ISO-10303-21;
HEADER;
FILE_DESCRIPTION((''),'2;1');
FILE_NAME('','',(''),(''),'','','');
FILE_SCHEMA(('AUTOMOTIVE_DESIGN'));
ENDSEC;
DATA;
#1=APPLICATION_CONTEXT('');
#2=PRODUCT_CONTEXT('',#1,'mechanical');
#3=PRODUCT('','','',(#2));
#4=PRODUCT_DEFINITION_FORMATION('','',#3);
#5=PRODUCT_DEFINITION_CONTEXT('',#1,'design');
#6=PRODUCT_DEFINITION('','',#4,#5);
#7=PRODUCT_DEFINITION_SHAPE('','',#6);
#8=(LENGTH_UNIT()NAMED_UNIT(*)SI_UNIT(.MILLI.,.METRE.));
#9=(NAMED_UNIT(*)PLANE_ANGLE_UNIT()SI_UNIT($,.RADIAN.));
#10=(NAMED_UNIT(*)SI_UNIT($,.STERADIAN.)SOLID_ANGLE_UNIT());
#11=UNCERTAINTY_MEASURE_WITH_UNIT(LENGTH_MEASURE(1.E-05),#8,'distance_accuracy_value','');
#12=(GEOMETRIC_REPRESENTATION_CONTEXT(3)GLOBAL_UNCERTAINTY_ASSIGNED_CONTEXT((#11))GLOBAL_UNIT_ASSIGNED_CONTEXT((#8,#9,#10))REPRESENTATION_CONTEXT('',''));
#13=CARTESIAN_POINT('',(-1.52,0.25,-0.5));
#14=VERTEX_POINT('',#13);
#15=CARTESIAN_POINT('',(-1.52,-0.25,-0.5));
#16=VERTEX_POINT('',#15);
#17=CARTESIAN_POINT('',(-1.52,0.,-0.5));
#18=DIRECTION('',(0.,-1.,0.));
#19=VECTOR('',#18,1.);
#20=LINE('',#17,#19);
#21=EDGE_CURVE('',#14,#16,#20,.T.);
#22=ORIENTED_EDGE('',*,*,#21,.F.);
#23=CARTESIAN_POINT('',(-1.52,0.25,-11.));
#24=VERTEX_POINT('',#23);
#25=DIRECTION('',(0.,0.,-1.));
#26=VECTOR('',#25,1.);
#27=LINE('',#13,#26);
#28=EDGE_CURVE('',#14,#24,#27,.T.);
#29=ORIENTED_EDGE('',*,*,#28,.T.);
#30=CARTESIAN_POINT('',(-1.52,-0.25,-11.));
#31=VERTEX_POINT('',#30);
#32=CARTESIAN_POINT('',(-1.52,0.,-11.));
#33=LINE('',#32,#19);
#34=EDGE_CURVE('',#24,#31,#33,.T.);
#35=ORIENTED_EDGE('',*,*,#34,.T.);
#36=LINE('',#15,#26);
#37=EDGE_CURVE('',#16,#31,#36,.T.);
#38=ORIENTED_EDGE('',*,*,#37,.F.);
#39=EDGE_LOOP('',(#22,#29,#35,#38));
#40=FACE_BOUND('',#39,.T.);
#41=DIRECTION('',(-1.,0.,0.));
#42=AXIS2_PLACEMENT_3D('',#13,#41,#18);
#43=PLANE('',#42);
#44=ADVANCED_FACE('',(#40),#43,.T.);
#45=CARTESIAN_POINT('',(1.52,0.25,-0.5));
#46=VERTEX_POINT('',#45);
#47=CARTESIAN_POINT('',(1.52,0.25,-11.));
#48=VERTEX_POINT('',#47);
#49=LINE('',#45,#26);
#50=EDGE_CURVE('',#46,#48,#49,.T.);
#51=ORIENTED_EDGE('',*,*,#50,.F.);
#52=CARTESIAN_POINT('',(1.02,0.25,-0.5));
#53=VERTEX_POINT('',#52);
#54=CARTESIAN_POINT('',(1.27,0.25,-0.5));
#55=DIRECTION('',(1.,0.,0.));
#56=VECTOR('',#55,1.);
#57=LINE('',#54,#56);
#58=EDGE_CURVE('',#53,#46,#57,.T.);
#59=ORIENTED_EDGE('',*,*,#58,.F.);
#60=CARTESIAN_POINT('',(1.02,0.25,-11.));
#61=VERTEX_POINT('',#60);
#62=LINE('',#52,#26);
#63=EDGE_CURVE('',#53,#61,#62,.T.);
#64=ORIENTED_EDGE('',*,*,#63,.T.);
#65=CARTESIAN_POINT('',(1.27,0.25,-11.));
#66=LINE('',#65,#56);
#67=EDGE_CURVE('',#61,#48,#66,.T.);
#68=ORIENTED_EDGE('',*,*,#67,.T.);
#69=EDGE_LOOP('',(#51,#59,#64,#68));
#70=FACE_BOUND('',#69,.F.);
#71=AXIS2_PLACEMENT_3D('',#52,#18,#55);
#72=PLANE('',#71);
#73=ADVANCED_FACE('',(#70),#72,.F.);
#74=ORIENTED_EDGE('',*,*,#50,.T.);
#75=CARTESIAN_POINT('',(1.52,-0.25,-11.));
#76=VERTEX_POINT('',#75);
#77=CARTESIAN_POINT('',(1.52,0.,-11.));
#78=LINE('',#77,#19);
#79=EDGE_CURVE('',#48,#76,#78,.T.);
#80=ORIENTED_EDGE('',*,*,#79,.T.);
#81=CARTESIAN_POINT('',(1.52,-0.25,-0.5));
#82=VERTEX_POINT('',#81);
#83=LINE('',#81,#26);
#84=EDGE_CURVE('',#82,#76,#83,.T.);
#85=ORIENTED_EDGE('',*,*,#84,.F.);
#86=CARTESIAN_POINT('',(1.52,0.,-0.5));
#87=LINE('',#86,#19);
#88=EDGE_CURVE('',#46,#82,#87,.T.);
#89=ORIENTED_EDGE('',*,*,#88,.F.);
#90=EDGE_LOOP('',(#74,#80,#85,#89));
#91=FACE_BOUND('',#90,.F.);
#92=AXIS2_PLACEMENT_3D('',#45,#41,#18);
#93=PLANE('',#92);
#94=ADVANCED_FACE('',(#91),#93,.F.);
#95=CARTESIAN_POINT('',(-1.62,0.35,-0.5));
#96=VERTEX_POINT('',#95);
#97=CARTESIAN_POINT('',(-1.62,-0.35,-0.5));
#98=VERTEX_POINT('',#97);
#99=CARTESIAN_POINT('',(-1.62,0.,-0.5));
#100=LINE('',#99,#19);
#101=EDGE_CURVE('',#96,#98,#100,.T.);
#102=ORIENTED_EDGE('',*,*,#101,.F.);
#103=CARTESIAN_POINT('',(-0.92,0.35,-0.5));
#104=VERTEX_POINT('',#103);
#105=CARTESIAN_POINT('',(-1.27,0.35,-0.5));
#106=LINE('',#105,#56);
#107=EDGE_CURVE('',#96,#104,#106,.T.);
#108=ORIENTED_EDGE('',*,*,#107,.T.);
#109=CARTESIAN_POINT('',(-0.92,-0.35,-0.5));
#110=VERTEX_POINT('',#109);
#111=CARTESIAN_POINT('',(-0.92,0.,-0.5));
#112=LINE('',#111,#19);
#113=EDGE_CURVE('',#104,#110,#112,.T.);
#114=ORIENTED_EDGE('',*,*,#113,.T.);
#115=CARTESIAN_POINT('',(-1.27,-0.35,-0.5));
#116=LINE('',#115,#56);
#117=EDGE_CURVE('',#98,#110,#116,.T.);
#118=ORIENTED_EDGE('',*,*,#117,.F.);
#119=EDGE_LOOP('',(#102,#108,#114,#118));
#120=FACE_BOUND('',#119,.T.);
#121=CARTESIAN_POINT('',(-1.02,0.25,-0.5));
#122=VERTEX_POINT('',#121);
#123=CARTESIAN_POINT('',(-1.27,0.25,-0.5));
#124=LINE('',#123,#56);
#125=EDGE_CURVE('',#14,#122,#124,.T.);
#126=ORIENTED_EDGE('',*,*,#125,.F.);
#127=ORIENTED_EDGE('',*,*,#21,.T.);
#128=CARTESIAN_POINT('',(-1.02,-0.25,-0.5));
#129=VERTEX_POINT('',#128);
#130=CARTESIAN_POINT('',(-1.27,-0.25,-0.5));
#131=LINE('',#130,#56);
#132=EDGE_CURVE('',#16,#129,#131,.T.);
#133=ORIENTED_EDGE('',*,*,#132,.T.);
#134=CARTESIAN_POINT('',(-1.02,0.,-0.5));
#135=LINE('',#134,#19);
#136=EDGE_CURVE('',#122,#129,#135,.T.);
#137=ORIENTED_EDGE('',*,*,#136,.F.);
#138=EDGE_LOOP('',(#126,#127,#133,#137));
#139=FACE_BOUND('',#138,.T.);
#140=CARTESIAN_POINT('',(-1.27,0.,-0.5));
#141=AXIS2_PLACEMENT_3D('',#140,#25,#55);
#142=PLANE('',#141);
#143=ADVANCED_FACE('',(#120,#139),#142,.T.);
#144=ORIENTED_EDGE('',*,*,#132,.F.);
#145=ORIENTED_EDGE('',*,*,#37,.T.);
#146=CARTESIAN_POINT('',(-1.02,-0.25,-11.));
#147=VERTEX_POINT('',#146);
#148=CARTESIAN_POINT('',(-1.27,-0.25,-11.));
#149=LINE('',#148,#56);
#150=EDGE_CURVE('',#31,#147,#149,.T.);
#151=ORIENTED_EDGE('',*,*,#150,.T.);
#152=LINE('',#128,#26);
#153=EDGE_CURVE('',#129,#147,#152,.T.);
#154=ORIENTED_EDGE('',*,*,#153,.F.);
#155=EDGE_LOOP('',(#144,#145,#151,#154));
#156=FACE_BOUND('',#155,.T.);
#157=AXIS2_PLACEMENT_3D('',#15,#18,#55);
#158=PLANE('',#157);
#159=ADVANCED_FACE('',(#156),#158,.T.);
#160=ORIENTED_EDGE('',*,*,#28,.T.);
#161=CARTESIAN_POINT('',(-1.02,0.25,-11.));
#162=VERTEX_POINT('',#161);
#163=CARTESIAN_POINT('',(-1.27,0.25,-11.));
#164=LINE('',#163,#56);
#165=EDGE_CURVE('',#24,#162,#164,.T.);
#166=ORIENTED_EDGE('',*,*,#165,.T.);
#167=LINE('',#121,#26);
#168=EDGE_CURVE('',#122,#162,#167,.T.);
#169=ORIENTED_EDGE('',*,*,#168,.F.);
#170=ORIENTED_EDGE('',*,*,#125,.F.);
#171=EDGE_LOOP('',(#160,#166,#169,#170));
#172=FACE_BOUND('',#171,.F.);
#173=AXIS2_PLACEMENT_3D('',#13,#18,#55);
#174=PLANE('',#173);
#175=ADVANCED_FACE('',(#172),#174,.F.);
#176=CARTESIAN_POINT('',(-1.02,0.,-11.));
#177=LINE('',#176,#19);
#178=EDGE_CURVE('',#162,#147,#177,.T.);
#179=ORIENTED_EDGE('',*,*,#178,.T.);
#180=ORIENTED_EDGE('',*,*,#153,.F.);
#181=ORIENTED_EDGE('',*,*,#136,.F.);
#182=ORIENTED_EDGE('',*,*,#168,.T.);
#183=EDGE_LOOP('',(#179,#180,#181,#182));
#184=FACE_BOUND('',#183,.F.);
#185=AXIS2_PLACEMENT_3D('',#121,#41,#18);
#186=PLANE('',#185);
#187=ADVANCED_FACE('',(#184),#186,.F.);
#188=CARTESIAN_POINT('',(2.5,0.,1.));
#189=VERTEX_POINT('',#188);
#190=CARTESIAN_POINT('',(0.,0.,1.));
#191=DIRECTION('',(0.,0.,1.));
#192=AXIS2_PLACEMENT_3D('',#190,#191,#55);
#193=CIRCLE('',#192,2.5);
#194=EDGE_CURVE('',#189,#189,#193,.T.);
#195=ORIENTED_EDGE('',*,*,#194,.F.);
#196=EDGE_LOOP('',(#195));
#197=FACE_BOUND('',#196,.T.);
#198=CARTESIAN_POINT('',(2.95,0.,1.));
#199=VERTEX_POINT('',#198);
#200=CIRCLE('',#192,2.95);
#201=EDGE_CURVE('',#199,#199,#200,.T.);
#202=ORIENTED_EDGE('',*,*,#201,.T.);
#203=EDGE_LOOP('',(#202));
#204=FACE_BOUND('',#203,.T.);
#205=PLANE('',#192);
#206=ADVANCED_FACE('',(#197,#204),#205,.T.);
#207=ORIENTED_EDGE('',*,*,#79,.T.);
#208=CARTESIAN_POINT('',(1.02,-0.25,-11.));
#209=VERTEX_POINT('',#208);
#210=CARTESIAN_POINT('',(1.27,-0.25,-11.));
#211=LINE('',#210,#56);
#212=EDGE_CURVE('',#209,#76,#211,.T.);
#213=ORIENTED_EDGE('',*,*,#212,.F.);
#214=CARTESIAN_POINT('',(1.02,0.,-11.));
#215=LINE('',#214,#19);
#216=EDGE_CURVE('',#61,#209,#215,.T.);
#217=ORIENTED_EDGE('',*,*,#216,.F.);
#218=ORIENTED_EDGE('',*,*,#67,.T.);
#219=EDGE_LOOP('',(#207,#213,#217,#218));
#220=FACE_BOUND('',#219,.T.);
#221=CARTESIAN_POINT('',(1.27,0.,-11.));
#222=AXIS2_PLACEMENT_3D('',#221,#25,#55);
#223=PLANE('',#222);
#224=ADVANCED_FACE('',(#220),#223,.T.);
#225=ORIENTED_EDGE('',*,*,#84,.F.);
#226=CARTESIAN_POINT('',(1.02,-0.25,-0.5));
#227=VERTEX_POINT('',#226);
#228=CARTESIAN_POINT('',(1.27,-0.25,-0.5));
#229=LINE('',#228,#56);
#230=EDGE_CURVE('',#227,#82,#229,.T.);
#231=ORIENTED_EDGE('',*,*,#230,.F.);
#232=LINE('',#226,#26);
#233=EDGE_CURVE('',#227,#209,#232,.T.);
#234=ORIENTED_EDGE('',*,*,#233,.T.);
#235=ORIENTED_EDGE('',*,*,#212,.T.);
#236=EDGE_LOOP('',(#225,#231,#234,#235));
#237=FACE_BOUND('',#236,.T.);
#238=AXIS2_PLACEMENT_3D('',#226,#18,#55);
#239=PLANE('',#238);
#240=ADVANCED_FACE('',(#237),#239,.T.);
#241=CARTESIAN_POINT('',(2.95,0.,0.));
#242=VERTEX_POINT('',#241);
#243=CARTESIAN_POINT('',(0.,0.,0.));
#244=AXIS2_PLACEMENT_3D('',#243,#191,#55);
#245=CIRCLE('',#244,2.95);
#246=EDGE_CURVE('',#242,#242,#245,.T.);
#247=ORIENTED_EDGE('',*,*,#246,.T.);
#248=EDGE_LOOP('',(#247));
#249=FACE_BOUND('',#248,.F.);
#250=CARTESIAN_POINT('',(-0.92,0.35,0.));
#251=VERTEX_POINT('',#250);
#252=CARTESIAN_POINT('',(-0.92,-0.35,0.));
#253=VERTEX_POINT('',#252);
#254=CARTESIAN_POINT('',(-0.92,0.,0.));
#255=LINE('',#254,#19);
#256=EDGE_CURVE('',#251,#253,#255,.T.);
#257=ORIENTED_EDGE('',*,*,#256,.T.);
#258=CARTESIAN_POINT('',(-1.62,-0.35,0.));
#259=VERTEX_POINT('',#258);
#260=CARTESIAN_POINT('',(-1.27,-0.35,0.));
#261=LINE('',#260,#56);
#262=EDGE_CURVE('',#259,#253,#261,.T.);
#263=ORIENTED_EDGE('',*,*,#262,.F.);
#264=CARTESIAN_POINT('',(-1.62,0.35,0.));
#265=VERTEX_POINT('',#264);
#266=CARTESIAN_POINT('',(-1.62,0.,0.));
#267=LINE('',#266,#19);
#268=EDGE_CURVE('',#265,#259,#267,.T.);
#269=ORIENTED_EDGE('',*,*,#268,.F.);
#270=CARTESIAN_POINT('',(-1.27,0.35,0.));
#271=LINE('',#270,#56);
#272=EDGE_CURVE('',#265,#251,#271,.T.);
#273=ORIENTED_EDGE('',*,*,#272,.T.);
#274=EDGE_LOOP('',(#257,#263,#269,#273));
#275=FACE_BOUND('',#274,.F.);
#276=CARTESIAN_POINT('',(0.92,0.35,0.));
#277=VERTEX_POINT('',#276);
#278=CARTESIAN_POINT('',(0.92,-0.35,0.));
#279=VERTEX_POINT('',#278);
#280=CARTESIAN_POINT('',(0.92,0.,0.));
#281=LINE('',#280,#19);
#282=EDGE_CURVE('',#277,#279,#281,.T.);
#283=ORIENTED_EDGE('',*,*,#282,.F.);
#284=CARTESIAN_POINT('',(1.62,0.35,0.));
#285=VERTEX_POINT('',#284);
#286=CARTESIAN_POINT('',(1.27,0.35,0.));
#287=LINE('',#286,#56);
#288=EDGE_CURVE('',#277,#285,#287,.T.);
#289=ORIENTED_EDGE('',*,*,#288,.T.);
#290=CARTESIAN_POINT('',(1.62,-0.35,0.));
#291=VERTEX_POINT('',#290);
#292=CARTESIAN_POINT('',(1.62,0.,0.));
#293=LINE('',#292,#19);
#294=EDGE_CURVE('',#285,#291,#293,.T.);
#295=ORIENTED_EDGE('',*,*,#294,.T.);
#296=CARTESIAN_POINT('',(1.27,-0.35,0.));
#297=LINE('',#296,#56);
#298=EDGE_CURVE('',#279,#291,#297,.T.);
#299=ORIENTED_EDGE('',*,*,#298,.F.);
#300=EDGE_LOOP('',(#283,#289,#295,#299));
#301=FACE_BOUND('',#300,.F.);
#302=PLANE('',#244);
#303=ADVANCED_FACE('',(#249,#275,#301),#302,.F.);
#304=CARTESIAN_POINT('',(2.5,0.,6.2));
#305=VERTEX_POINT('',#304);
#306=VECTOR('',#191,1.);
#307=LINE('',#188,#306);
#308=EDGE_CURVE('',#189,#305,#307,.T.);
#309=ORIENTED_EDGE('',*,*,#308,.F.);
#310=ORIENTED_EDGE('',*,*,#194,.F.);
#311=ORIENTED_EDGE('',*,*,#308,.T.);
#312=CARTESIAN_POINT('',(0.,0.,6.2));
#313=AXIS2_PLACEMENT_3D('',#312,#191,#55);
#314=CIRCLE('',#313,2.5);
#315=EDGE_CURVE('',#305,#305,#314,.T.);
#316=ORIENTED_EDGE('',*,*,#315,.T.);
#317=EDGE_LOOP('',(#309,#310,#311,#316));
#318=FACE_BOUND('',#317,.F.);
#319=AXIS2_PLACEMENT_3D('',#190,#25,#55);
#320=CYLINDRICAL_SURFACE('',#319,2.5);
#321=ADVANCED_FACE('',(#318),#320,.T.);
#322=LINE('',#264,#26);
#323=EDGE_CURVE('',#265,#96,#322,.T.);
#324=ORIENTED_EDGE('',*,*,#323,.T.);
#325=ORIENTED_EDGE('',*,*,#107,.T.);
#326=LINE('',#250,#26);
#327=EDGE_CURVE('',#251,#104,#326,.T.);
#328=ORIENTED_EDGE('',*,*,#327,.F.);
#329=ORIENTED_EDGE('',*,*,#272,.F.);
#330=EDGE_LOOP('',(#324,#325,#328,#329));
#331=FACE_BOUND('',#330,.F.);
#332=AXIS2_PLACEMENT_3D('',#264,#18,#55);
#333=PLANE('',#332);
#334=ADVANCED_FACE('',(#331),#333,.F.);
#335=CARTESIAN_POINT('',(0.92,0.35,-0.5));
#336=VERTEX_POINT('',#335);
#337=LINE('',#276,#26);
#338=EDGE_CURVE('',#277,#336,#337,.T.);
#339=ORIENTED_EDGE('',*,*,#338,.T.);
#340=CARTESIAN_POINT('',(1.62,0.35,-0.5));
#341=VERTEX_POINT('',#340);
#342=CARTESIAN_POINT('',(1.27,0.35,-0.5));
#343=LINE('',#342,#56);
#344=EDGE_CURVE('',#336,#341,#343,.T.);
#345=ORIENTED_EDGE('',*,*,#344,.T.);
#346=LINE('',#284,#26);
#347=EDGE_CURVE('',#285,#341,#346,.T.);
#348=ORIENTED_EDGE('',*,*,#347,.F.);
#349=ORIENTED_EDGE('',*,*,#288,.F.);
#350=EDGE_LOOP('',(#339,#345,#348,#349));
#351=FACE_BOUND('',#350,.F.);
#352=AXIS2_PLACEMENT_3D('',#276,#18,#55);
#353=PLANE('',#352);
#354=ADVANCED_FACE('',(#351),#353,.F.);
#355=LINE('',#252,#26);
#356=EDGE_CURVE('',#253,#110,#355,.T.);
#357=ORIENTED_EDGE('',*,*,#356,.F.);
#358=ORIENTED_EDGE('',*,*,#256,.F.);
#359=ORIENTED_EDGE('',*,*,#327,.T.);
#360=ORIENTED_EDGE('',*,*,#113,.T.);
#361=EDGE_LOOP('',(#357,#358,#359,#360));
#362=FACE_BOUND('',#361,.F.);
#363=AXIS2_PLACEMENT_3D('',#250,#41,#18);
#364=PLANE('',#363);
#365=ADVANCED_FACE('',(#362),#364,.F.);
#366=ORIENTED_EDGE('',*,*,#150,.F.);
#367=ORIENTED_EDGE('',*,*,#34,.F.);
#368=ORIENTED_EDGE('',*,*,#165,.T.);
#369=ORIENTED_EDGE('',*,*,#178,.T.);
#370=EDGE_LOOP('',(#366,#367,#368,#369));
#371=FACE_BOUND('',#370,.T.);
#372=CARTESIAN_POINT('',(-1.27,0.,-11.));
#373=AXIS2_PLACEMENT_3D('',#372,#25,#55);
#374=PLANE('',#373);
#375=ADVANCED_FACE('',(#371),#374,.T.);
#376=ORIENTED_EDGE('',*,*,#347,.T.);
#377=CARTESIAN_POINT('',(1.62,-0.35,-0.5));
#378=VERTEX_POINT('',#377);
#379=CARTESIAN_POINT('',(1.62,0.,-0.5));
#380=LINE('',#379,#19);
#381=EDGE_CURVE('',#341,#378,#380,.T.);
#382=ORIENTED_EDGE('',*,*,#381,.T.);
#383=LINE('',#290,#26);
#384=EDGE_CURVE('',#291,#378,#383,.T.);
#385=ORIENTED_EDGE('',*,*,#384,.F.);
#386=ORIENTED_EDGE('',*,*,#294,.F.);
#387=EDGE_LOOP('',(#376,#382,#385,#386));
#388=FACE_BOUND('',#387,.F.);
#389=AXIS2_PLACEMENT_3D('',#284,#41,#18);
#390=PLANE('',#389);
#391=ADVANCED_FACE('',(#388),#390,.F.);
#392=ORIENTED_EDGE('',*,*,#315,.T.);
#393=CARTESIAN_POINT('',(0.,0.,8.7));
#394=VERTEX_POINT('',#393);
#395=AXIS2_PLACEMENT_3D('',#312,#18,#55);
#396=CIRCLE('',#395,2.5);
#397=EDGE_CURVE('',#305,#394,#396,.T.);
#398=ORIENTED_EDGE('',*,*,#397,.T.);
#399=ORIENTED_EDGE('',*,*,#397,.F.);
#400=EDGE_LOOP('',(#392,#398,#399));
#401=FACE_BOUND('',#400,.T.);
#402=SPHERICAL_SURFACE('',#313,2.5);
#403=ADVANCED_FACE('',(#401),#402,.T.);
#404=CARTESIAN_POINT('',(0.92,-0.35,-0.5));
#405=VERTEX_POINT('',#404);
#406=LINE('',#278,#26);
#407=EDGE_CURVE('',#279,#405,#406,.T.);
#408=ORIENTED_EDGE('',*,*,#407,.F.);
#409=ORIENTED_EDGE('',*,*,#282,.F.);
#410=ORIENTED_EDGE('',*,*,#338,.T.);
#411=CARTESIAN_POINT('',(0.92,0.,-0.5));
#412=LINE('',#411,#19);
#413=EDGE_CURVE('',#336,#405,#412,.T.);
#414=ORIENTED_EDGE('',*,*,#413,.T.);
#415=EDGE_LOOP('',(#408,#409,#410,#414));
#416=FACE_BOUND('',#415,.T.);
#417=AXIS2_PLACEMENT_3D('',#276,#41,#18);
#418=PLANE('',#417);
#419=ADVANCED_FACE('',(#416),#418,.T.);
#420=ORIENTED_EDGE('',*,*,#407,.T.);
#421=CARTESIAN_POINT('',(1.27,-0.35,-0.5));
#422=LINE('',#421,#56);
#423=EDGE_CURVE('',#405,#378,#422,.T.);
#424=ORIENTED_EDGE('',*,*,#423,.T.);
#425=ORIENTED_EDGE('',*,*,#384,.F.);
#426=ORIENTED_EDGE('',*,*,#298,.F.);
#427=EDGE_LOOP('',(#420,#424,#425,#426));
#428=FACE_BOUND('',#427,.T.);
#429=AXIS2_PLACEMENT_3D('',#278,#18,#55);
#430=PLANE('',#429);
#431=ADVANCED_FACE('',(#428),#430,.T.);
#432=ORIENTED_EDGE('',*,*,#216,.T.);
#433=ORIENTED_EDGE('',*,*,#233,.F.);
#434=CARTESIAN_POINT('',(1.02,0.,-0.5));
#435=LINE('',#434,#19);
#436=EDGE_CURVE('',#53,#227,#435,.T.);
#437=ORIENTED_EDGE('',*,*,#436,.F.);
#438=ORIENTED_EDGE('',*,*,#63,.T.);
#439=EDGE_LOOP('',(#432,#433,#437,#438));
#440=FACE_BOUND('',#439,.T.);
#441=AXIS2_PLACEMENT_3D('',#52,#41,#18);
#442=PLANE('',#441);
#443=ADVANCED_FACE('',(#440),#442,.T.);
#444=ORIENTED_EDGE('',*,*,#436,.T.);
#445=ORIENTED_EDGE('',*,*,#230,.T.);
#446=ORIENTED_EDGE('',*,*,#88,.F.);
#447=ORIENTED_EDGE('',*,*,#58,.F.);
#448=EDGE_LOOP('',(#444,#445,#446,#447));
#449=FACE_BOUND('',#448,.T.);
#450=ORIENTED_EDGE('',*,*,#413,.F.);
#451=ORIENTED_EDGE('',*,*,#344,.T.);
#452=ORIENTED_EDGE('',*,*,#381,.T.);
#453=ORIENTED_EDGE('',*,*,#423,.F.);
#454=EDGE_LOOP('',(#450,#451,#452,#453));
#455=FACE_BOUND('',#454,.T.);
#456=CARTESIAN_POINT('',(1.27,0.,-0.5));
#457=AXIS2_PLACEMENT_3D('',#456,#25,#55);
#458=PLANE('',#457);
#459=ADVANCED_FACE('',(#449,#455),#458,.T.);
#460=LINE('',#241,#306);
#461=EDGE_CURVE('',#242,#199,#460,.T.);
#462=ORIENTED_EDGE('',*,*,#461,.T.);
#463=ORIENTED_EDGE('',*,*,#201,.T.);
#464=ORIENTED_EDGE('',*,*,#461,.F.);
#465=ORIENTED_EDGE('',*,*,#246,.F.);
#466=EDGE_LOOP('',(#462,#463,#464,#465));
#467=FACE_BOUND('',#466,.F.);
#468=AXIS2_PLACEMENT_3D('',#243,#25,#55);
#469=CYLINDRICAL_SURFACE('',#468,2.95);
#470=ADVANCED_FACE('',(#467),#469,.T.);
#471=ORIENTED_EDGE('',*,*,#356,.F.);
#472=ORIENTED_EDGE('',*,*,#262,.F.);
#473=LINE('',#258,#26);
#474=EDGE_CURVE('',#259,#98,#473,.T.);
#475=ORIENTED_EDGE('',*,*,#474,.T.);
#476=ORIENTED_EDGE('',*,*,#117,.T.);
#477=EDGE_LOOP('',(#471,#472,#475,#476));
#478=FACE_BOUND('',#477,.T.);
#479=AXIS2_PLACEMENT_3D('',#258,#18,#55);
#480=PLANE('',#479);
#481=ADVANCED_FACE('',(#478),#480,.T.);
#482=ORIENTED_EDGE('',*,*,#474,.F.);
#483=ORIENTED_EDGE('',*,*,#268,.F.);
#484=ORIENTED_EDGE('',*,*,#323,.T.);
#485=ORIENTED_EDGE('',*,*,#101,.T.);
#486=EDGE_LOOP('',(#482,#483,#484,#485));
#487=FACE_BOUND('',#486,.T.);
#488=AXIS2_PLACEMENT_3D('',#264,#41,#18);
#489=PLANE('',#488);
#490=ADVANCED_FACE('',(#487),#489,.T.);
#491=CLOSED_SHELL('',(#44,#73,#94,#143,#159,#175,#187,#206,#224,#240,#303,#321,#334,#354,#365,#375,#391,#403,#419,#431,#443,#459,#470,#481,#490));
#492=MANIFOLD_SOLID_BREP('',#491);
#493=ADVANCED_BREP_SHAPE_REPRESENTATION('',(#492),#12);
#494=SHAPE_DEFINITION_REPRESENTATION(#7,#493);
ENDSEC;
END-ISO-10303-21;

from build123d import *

# Parameters (mm, degrees)
SKETCH_R            = 2.95
PAD_DEPTH           = 1
SKETCH001_R         = 2.5
PAD001_DEPTH        = 7.7
FILLET_R            = 2.5
SKETCH002_W         = 0.7
SKETCH002_H         = 0.7
PAD002_DEPTH        = 0.5
SKETCH003_W         = 0.5
SKETCH003_H         = 0.5
PAD003_DEPTH        = 10.5
LINEARPATTERN_COUNT = 2
LINEARPATTERN_PITCH = 2.54


with BuildPart() as part:
    # Sketch → Pad (new body)
    with BuildSketch(Plane.XY):
        Circle(SKETCH_R)
    extrude(amount=PAD_DEPTH)

    # Sketch001 (on Face3 of Pad) → Pad001 (join)
    with BuildSketch(Plane.XY.offset(1)):
        Circle(SKETCH001_R)
    extrude(amount=PAD001_DEPTH)

    # Fillet
    fillet_edges = [part.edges().sort_by_distance(p)[0] for p in [
        (-2.5, 0, 8.7),
    ]]
    fillet(fillet_edges, radius=FILLET_R)

    # Sketch002 (on Face5 of Fillet) → Pad002 (join)
    with BuildSketch(Plane(origin=(0, 0, 0), x_dir=(1, 0, 0), z_dir=(0, 0, -1))):
        with Locations((-1.27, 0)):
            Rectangle(SKETCH002_W, SKETCH002_H)
    pad002 = extrude(amount=PAD002_DEPTH)

    # Sketch003 (on Face10 of Pad002) → Pad003 (join)
    with BuildSketch(Plane(origin=(0, 0, -0.5), x_dir=(1, 0, 0), z_dir=(0, 0, -1))):
        with Locations((-1.27, 0)):
            Rectangle(SKETCH003_W, SKETCH003_H)
    pad003 = extrude(amount=PAD003_DEPTH)

    # LinearPattern: Pad002, Pad003 ×2
    with Locations(*[(i * LINEARPATTERN_PITCH, 0, 0) for i in range(1, LINEARPATTERN_COUNT)]):
        add(pad002)
        add(pad003)


solid = part.part
